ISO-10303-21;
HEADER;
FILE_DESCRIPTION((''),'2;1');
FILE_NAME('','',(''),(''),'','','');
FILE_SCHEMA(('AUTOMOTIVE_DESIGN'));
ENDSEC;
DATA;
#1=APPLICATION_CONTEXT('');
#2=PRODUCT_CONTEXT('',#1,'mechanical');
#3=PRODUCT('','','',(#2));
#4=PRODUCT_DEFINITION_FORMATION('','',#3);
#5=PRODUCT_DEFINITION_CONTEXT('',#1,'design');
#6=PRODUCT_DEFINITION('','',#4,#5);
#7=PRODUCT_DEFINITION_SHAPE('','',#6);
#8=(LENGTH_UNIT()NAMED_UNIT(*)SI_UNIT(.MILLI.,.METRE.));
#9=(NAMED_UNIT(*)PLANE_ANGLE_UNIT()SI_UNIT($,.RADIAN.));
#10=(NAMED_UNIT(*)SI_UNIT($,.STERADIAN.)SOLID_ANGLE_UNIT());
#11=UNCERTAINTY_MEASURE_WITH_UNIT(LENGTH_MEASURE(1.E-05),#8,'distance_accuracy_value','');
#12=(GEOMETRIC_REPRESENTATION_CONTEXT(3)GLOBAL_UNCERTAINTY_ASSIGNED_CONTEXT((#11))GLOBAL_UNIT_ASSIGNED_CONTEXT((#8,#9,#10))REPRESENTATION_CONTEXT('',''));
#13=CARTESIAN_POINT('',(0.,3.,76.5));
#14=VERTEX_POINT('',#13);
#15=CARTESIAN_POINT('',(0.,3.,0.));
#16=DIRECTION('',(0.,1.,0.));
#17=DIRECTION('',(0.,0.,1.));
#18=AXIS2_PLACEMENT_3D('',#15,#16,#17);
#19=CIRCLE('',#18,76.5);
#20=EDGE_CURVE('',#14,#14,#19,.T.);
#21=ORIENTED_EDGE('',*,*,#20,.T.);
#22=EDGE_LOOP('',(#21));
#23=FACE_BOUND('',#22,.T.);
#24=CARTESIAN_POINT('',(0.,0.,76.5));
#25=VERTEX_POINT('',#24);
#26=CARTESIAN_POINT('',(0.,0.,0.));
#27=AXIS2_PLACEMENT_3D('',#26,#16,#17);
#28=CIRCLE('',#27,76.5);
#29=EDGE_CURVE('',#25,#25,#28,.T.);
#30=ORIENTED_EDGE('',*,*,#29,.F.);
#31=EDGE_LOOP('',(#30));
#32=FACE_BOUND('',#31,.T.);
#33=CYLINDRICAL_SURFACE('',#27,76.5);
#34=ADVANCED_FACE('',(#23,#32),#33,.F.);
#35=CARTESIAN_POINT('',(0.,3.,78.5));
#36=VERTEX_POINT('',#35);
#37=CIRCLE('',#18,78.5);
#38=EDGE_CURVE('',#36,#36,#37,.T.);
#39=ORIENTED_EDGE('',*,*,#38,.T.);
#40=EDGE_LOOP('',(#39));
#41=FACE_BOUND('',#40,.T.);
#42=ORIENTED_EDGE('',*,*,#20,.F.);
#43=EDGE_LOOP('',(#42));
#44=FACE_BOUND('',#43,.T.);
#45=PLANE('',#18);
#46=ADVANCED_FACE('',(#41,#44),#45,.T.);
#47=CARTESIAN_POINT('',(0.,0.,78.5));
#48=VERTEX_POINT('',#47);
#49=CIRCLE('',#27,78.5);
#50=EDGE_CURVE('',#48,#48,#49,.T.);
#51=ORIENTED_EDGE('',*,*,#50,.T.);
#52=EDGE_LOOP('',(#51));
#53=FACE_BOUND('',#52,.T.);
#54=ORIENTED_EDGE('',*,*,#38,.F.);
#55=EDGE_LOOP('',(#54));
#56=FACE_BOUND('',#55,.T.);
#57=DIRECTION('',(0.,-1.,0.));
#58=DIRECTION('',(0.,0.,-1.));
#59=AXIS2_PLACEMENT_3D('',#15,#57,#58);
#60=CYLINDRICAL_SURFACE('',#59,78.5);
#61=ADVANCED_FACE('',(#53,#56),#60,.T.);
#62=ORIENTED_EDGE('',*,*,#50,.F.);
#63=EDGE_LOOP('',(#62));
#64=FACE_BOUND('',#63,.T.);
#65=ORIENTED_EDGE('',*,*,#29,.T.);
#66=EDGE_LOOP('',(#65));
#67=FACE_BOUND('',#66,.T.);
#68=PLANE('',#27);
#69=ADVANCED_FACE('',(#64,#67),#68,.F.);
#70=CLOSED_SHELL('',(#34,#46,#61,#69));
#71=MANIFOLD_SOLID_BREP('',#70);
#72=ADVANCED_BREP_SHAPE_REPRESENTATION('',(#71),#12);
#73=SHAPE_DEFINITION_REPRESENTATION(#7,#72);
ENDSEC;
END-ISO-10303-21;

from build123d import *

# Parameters (mm, degrees)
SKETCH1_R               = 78.5
BOSS_EXTRUDE1_DEPTH     = 3
SKETCH2_R               = 76.5
CUT_EXTRUDE1_DEPTH      = 1
CUT_EXTRUDE1_DEPTH_BACK = 4


with BuildPart() as part:
    # Sketch1 → Boss-Extrude1 (new body)
    with BuildSketch(Plane(origin=(0, 0, 0), x_dir=(1, 0, 0), z_dir=(0, 1, 0))):
        Circle(SKETCH1_R)
    extrude(amount=BOSS_EXTRUDE1_DEPTH)

    # Sketch2 → Cut-Extrude1 (cut, two sides)
    with BuildSketch(Plane(origin=(0, 3, 0), x_dir=(1, 0, 0), z_dir=(0, 1, 0))) as cut_extrude1_sk:
        Circle(SKETCH2_R)
    extrude(amount=CUT_EXTRUDE1_DEPTH, mode=Mode.SUBTRACT)
    extrude(cut_extrude1_sk.sketch, amount=-CUT_EXTRUDE1_DEPTH_BACK, mode=Mode.SUBTRACT)


solid = part.part
